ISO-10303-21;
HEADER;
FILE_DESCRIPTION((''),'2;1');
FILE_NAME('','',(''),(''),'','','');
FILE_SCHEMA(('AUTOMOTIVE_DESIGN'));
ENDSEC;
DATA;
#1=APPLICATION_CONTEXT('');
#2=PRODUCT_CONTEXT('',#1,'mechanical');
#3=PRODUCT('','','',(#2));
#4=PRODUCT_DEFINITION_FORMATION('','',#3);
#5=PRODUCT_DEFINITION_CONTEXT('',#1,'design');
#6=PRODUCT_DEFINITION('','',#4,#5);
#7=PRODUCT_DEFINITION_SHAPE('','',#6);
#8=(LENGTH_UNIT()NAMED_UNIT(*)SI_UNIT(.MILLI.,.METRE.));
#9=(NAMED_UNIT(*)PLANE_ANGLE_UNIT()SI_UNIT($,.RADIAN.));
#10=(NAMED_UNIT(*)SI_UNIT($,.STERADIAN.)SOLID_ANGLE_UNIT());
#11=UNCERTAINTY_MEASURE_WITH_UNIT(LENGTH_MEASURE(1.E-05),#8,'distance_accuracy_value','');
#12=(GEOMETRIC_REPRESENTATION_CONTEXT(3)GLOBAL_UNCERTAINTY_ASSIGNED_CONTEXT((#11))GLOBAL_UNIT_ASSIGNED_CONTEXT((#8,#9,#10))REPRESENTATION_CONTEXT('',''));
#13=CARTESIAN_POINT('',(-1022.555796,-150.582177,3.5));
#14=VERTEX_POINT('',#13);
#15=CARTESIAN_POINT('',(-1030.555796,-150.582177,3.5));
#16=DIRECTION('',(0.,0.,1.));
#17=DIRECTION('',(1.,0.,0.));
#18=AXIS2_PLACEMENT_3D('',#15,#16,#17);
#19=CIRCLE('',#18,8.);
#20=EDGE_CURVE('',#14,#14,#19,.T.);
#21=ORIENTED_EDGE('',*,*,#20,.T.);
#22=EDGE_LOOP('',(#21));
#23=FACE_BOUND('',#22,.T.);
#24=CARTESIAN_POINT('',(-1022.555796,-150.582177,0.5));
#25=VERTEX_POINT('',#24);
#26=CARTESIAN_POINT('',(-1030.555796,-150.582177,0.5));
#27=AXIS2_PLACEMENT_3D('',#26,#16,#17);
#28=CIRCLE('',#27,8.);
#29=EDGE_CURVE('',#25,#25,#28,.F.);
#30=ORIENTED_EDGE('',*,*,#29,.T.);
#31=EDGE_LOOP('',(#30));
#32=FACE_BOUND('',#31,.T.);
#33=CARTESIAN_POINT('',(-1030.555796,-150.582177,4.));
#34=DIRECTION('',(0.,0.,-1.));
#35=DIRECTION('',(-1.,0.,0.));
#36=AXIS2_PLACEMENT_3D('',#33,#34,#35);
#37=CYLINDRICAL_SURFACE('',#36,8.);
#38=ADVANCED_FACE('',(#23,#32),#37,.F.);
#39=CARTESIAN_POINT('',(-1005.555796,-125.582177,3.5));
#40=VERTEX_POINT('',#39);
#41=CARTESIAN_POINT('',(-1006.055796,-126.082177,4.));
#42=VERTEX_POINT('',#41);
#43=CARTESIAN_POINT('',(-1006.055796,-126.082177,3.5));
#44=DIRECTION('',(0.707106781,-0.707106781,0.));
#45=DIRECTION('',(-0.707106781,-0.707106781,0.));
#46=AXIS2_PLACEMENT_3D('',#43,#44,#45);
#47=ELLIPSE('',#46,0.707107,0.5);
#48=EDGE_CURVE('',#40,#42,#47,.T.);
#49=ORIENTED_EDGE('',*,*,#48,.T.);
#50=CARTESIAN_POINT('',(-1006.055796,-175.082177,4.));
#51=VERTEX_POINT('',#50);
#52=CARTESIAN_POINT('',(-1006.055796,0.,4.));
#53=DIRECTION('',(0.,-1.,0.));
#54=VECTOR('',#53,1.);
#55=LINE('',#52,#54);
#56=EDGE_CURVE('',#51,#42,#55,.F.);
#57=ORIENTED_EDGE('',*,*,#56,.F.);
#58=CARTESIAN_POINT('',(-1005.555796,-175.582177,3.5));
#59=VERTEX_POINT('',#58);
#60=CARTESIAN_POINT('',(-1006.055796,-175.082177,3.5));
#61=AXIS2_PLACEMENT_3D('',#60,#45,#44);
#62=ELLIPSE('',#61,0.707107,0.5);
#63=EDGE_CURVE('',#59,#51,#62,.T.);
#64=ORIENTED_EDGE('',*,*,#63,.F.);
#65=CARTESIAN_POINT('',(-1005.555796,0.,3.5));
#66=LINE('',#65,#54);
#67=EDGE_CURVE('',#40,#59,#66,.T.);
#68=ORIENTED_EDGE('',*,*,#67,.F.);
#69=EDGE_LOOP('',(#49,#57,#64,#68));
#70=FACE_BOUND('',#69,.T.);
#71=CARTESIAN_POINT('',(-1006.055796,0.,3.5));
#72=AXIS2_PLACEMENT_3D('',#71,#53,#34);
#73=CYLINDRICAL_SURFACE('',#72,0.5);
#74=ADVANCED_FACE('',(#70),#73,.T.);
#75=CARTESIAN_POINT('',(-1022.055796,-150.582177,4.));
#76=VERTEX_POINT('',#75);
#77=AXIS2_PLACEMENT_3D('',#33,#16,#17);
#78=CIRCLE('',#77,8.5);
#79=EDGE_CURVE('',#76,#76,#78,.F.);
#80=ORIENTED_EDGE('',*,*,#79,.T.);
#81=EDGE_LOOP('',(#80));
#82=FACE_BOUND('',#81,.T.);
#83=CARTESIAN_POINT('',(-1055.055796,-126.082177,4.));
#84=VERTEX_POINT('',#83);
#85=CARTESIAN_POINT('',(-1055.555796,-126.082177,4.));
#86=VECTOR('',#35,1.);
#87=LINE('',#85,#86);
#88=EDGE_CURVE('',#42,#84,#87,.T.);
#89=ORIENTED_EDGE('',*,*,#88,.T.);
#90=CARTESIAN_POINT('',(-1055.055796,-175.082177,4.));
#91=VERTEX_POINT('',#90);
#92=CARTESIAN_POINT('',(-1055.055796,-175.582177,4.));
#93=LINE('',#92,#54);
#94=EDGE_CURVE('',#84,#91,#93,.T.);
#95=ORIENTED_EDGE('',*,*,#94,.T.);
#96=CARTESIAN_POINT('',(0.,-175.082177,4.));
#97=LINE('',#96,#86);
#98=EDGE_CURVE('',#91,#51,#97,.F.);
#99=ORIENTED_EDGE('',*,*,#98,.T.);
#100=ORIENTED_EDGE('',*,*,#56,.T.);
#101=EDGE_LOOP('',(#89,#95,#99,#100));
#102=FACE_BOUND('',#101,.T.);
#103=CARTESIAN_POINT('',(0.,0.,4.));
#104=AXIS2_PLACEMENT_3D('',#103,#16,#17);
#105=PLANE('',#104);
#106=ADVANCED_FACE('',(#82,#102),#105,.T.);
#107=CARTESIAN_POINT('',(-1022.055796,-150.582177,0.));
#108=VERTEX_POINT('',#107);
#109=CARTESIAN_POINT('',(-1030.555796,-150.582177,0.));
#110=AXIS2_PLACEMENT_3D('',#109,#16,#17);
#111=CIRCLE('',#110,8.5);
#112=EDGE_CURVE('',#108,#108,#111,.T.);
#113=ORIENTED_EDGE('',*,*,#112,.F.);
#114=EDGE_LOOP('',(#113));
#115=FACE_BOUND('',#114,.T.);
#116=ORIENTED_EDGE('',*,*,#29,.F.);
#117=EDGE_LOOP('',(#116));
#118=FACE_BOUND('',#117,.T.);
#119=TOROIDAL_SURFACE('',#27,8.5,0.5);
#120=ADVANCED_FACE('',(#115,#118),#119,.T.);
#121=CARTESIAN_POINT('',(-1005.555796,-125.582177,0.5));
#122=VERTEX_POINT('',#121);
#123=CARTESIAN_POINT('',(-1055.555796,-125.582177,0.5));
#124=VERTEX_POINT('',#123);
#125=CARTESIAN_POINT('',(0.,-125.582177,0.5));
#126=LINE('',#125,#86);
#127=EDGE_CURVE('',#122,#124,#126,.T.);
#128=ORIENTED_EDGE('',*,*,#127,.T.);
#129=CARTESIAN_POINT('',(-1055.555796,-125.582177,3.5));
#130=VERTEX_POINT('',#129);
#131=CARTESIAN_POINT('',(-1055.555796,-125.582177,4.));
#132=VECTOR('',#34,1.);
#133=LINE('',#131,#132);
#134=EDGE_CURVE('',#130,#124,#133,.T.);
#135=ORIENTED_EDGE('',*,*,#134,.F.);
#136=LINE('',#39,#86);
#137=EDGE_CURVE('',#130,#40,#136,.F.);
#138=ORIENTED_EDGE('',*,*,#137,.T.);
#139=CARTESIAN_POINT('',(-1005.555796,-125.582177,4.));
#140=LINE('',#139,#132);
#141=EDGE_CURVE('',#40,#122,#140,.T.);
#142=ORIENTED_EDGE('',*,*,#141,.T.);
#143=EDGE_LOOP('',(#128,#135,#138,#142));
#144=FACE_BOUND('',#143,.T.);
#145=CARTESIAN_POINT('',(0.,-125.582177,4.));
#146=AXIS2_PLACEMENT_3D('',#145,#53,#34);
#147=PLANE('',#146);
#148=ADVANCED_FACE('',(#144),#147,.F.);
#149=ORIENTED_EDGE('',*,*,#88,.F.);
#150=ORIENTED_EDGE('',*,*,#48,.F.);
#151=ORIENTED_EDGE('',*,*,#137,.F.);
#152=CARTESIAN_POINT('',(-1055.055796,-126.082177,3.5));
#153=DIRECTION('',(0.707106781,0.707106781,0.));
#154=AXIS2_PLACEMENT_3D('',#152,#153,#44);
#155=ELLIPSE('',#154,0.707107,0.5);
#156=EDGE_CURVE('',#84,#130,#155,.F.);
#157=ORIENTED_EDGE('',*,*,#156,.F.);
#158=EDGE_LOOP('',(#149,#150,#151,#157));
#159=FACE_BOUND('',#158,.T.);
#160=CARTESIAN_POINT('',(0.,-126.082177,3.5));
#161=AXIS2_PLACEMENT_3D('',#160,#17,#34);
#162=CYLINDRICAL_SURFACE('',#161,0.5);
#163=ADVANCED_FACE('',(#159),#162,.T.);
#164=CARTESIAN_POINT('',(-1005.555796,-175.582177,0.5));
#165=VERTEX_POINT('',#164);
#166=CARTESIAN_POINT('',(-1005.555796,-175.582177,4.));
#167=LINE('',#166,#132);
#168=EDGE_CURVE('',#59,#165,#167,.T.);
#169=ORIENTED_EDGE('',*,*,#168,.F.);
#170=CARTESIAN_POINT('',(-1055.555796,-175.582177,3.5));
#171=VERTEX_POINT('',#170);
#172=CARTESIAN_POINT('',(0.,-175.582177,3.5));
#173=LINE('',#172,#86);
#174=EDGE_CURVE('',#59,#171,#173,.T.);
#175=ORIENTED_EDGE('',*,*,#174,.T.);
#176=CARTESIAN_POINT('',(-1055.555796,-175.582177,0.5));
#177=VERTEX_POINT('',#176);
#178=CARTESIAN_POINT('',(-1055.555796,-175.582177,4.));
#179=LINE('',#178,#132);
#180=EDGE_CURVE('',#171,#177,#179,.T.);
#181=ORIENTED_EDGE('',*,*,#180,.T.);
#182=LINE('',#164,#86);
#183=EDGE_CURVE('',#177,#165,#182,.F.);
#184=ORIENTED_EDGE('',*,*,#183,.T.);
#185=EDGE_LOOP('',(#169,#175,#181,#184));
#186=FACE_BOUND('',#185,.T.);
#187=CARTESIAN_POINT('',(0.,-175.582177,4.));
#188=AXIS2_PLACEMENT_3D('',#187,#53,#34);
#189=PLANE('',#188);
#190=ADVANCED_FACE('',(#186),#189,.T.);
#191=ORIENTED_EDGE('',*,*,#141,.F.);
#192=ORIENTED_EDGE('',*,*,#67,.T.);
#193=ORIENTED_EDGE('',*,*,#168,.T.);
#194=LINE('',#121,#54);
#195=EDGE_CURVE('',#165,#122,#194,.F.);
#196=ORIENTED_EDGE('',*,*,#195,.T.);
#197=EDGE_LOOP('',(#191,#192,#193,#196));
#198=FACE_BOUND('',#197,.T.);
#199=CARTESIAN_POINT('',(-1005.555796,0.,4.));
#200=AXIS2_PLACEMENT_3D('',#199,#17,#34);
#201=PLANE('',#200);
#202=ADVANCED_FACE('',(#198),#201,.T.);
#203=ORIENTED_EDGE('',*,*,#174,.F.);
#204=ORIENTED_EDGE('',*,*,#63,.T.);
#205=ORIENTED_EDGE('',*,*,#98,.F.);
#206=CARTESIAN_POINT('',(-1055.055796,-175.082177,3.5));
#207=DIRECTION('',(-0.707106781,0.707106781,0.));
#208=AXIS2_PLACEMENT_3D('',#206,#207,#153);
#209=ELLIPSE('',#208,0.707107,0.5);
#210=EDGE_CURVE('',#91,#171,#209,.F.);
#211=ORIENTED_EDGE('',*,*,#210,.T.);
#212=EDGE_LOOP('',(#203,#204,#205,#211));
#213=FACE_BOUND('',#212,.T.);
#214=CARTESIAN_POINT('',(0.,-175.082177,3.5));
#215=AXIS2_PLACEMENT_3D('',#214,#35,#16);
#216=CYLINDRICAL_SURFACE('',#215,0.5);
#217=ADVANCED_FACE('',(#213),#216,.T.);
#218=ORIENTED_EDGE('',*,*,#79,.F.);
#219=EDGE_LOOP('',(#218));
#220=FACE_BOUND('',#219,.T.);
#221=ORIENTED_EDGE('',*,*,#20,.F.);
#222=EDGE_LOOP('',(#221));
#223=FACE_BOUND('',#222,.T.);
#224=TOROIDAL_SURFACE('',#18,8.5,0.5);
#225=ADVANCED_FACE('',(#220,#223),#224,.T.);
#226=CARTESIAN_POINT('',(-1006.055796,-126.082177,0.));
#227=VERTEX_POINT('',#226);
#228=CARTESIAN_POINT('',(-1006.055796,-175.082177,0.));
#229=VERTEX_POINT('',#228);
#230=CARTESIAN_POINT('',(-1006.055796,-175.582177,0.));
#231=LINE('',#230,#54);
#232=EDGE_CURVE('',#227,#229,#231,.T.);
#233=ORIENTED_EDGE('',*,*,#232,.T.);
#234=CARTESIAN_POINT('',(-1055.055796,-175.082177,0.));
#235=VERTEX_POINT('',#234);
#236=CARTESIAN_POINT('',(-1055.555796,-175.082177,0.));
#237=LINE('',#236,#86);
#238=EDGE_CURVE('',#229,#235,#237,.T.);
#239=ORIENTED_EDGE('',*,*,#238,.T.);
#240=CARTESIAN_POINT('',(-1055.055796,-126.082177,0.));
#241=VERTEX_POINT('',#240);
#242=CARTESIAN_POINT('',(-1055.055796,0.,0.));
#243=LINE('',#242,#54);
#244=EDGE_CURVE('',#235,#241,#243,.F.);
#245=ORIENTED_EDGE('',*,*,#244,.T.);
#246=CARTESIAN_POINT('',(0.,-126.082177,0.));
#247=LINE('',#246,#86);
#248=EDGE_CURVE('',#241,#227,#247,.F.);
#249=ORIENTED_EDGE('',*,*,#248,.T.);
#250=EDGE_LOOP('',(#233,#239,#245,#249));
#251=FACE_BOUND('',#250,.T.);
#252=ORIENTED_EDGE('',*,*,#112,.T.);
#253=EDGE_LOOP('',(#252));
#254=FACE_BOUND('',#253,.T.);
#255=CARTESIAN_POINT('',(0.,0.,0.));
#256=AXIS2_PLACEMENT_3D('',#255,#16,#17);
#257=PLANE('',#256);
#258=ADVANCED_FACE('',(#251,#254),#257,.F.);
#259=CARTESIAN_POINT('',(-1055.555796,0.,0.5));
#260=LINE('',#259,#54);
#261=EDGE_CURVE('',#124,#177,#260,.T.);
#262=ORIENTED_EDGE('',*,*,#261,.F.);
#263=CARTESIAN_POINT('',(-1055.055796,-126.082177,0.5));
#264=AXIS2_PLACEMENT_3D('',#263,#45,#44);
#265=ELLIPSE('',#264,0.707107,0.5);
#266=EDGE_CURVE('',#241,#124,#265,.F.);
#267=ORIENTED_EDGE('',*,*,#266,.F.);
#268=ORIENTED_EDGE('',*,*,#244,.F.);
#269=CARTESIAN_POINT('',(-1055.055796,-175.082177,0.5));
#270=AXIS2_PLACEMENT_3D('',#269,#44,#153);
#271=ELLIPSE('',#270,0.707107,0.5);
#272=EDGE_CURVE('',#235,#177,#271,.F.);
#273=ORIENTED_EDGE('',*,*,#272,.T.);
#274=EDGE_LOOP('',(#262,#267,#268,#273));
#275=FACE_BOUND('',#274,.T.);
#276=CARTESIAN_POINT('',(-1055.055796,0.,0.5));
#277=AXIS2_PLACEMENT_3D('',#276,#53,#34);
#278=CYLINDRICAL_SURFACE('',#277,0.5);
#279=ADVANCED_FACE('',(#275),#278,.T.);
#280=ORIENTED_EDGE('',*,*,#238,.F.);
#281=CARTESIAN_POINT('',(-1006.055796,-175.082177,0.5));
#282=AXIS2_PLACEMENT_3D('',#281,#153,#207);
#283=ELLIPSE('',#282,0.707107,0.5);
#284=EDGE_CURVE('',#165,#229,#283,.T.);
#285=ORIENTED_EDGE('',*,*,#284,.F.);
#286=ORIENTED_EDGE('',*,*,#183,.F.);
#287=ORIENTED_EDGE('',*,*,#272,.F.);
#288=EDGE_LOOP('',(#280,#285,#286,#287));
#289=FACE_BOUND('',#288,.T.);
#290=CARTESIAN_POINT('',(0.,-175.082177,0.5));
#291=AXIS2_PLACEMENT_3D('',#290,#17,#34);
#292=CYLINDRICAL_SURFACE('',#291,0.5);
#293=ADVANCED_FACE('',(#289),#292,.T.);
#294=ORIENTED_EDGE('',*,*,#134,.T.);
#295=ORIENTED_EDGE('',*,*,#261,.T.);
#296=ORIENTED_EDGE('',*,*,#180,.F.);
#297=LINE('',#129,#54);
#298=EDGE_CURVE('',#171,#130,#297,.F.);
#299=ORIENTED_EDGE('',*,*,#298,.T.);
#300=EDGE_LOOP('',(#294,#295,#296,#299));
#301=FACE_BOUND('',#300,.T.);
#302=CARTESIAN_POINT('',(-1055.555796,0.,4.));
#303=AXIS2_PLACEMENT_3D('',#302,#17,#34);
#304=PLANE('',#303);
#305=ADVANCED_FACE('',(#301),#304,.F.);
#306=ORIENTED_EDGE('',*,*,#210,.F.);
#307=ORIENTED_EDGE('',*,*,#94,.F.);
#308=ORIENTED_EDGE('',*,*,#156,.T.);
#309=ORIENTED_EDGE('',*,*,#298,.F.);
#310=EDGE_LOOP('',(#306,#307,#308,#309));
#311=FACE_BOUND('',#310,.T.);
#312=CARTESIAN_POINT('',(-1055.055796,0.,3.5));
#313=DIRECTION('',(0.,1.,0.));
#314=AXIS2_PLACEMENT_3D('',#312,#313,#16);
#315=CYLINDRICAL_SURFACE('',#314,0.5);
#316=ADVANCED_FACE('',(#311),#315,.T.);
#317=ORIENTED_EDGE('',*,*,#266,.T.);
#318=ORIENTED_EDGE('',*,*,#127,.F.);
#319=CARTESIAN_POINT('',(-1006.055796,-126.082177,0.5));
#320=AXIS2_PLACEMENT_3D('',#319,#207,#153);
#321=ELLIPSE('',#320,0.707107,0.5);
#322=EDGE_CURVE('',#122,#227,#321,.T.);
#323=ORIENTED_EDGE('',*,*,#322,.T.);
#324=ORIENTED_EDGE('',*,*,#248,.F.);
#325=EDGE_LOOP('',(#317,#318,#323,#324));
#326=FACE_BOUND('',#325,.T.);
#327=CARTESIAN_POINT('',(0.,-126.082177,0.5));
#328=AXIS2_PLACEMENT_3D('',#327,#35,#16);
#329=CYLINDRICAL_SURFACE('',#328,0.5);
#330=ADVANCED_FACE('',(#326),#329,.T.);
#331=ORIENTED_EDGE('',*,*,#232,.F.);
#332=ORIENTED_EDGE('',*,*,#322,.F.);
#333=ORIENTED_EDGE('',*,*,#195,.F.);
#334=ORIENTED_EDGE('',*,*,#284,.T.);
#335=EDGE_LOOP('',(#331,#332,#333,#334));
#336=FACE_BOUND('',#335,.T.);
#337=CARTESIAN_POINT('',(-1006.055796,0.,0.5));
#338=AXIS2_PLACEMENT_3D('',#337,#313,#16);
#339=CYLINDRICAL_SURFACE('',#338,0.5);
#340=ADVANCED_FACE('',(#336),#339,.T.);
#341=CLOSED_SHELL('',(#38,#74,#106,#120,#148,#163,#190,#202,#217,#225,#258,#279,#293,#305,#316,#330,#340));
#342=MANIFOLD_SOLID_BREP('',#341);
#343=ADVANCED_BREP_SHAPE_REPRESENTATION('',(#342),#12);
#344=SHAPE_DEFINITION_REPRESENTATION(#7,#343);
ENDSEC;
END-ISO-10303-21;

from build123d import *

# Parameters (mm, degrees)
SZKIC1_W                    = 50
SZKIC1_H                    = 50
SZKIC1_R                    = 8
DODANIE_WYCI_GNI_CIE1_DEPTH = 4
ZAOKR_GLENIE1_R             = 0.5


with BuildPart() as part:
    # Szkic1 → Dodanie-wyciągnięcie1 (new body)
    with BuildSketch(Plane.XY):
        with Locations((-1030.555795761, -150.582176964)):
            Rectangle(SZKIC1_W, SZKIC1_H)
        with Locations((-1030.555795761, -150.582176964)):
            Circle(SZKIC1_R, mode=Mode.SUBTRACT)
    extrude(amount=DODANIE_WYCI_GNI_CIE1_DEPTH)

    # Zaokrąglenie1
    zaokr_glenie1_edges = [part.edges().sort_by_distance(p)[0] for p in [
        (-1005.555795761, -150.582176964, 4),
        (-1030.555795761, -125.582176964, 4),
        (-1055.555795761, -150.582176964, 4),
        (-1030.555795761, -175.582176964, 4),
        (-1038.555795761, -150.582176964, 4),
        (-1030.555795761, -175.582176964, 0),
        (-1055.555795761, -150.582176964, 0),
        (-1030.555795761, -125.582176964, 0),
        (-1005.555795761, -150.582176964, 0),
        (-1038.555795761, -150.582176964, 0),
    ]]
    fillet(zaokr_glenie1_edges, radius=ZAOKR_GLENIE1_R)


solid = part.part
